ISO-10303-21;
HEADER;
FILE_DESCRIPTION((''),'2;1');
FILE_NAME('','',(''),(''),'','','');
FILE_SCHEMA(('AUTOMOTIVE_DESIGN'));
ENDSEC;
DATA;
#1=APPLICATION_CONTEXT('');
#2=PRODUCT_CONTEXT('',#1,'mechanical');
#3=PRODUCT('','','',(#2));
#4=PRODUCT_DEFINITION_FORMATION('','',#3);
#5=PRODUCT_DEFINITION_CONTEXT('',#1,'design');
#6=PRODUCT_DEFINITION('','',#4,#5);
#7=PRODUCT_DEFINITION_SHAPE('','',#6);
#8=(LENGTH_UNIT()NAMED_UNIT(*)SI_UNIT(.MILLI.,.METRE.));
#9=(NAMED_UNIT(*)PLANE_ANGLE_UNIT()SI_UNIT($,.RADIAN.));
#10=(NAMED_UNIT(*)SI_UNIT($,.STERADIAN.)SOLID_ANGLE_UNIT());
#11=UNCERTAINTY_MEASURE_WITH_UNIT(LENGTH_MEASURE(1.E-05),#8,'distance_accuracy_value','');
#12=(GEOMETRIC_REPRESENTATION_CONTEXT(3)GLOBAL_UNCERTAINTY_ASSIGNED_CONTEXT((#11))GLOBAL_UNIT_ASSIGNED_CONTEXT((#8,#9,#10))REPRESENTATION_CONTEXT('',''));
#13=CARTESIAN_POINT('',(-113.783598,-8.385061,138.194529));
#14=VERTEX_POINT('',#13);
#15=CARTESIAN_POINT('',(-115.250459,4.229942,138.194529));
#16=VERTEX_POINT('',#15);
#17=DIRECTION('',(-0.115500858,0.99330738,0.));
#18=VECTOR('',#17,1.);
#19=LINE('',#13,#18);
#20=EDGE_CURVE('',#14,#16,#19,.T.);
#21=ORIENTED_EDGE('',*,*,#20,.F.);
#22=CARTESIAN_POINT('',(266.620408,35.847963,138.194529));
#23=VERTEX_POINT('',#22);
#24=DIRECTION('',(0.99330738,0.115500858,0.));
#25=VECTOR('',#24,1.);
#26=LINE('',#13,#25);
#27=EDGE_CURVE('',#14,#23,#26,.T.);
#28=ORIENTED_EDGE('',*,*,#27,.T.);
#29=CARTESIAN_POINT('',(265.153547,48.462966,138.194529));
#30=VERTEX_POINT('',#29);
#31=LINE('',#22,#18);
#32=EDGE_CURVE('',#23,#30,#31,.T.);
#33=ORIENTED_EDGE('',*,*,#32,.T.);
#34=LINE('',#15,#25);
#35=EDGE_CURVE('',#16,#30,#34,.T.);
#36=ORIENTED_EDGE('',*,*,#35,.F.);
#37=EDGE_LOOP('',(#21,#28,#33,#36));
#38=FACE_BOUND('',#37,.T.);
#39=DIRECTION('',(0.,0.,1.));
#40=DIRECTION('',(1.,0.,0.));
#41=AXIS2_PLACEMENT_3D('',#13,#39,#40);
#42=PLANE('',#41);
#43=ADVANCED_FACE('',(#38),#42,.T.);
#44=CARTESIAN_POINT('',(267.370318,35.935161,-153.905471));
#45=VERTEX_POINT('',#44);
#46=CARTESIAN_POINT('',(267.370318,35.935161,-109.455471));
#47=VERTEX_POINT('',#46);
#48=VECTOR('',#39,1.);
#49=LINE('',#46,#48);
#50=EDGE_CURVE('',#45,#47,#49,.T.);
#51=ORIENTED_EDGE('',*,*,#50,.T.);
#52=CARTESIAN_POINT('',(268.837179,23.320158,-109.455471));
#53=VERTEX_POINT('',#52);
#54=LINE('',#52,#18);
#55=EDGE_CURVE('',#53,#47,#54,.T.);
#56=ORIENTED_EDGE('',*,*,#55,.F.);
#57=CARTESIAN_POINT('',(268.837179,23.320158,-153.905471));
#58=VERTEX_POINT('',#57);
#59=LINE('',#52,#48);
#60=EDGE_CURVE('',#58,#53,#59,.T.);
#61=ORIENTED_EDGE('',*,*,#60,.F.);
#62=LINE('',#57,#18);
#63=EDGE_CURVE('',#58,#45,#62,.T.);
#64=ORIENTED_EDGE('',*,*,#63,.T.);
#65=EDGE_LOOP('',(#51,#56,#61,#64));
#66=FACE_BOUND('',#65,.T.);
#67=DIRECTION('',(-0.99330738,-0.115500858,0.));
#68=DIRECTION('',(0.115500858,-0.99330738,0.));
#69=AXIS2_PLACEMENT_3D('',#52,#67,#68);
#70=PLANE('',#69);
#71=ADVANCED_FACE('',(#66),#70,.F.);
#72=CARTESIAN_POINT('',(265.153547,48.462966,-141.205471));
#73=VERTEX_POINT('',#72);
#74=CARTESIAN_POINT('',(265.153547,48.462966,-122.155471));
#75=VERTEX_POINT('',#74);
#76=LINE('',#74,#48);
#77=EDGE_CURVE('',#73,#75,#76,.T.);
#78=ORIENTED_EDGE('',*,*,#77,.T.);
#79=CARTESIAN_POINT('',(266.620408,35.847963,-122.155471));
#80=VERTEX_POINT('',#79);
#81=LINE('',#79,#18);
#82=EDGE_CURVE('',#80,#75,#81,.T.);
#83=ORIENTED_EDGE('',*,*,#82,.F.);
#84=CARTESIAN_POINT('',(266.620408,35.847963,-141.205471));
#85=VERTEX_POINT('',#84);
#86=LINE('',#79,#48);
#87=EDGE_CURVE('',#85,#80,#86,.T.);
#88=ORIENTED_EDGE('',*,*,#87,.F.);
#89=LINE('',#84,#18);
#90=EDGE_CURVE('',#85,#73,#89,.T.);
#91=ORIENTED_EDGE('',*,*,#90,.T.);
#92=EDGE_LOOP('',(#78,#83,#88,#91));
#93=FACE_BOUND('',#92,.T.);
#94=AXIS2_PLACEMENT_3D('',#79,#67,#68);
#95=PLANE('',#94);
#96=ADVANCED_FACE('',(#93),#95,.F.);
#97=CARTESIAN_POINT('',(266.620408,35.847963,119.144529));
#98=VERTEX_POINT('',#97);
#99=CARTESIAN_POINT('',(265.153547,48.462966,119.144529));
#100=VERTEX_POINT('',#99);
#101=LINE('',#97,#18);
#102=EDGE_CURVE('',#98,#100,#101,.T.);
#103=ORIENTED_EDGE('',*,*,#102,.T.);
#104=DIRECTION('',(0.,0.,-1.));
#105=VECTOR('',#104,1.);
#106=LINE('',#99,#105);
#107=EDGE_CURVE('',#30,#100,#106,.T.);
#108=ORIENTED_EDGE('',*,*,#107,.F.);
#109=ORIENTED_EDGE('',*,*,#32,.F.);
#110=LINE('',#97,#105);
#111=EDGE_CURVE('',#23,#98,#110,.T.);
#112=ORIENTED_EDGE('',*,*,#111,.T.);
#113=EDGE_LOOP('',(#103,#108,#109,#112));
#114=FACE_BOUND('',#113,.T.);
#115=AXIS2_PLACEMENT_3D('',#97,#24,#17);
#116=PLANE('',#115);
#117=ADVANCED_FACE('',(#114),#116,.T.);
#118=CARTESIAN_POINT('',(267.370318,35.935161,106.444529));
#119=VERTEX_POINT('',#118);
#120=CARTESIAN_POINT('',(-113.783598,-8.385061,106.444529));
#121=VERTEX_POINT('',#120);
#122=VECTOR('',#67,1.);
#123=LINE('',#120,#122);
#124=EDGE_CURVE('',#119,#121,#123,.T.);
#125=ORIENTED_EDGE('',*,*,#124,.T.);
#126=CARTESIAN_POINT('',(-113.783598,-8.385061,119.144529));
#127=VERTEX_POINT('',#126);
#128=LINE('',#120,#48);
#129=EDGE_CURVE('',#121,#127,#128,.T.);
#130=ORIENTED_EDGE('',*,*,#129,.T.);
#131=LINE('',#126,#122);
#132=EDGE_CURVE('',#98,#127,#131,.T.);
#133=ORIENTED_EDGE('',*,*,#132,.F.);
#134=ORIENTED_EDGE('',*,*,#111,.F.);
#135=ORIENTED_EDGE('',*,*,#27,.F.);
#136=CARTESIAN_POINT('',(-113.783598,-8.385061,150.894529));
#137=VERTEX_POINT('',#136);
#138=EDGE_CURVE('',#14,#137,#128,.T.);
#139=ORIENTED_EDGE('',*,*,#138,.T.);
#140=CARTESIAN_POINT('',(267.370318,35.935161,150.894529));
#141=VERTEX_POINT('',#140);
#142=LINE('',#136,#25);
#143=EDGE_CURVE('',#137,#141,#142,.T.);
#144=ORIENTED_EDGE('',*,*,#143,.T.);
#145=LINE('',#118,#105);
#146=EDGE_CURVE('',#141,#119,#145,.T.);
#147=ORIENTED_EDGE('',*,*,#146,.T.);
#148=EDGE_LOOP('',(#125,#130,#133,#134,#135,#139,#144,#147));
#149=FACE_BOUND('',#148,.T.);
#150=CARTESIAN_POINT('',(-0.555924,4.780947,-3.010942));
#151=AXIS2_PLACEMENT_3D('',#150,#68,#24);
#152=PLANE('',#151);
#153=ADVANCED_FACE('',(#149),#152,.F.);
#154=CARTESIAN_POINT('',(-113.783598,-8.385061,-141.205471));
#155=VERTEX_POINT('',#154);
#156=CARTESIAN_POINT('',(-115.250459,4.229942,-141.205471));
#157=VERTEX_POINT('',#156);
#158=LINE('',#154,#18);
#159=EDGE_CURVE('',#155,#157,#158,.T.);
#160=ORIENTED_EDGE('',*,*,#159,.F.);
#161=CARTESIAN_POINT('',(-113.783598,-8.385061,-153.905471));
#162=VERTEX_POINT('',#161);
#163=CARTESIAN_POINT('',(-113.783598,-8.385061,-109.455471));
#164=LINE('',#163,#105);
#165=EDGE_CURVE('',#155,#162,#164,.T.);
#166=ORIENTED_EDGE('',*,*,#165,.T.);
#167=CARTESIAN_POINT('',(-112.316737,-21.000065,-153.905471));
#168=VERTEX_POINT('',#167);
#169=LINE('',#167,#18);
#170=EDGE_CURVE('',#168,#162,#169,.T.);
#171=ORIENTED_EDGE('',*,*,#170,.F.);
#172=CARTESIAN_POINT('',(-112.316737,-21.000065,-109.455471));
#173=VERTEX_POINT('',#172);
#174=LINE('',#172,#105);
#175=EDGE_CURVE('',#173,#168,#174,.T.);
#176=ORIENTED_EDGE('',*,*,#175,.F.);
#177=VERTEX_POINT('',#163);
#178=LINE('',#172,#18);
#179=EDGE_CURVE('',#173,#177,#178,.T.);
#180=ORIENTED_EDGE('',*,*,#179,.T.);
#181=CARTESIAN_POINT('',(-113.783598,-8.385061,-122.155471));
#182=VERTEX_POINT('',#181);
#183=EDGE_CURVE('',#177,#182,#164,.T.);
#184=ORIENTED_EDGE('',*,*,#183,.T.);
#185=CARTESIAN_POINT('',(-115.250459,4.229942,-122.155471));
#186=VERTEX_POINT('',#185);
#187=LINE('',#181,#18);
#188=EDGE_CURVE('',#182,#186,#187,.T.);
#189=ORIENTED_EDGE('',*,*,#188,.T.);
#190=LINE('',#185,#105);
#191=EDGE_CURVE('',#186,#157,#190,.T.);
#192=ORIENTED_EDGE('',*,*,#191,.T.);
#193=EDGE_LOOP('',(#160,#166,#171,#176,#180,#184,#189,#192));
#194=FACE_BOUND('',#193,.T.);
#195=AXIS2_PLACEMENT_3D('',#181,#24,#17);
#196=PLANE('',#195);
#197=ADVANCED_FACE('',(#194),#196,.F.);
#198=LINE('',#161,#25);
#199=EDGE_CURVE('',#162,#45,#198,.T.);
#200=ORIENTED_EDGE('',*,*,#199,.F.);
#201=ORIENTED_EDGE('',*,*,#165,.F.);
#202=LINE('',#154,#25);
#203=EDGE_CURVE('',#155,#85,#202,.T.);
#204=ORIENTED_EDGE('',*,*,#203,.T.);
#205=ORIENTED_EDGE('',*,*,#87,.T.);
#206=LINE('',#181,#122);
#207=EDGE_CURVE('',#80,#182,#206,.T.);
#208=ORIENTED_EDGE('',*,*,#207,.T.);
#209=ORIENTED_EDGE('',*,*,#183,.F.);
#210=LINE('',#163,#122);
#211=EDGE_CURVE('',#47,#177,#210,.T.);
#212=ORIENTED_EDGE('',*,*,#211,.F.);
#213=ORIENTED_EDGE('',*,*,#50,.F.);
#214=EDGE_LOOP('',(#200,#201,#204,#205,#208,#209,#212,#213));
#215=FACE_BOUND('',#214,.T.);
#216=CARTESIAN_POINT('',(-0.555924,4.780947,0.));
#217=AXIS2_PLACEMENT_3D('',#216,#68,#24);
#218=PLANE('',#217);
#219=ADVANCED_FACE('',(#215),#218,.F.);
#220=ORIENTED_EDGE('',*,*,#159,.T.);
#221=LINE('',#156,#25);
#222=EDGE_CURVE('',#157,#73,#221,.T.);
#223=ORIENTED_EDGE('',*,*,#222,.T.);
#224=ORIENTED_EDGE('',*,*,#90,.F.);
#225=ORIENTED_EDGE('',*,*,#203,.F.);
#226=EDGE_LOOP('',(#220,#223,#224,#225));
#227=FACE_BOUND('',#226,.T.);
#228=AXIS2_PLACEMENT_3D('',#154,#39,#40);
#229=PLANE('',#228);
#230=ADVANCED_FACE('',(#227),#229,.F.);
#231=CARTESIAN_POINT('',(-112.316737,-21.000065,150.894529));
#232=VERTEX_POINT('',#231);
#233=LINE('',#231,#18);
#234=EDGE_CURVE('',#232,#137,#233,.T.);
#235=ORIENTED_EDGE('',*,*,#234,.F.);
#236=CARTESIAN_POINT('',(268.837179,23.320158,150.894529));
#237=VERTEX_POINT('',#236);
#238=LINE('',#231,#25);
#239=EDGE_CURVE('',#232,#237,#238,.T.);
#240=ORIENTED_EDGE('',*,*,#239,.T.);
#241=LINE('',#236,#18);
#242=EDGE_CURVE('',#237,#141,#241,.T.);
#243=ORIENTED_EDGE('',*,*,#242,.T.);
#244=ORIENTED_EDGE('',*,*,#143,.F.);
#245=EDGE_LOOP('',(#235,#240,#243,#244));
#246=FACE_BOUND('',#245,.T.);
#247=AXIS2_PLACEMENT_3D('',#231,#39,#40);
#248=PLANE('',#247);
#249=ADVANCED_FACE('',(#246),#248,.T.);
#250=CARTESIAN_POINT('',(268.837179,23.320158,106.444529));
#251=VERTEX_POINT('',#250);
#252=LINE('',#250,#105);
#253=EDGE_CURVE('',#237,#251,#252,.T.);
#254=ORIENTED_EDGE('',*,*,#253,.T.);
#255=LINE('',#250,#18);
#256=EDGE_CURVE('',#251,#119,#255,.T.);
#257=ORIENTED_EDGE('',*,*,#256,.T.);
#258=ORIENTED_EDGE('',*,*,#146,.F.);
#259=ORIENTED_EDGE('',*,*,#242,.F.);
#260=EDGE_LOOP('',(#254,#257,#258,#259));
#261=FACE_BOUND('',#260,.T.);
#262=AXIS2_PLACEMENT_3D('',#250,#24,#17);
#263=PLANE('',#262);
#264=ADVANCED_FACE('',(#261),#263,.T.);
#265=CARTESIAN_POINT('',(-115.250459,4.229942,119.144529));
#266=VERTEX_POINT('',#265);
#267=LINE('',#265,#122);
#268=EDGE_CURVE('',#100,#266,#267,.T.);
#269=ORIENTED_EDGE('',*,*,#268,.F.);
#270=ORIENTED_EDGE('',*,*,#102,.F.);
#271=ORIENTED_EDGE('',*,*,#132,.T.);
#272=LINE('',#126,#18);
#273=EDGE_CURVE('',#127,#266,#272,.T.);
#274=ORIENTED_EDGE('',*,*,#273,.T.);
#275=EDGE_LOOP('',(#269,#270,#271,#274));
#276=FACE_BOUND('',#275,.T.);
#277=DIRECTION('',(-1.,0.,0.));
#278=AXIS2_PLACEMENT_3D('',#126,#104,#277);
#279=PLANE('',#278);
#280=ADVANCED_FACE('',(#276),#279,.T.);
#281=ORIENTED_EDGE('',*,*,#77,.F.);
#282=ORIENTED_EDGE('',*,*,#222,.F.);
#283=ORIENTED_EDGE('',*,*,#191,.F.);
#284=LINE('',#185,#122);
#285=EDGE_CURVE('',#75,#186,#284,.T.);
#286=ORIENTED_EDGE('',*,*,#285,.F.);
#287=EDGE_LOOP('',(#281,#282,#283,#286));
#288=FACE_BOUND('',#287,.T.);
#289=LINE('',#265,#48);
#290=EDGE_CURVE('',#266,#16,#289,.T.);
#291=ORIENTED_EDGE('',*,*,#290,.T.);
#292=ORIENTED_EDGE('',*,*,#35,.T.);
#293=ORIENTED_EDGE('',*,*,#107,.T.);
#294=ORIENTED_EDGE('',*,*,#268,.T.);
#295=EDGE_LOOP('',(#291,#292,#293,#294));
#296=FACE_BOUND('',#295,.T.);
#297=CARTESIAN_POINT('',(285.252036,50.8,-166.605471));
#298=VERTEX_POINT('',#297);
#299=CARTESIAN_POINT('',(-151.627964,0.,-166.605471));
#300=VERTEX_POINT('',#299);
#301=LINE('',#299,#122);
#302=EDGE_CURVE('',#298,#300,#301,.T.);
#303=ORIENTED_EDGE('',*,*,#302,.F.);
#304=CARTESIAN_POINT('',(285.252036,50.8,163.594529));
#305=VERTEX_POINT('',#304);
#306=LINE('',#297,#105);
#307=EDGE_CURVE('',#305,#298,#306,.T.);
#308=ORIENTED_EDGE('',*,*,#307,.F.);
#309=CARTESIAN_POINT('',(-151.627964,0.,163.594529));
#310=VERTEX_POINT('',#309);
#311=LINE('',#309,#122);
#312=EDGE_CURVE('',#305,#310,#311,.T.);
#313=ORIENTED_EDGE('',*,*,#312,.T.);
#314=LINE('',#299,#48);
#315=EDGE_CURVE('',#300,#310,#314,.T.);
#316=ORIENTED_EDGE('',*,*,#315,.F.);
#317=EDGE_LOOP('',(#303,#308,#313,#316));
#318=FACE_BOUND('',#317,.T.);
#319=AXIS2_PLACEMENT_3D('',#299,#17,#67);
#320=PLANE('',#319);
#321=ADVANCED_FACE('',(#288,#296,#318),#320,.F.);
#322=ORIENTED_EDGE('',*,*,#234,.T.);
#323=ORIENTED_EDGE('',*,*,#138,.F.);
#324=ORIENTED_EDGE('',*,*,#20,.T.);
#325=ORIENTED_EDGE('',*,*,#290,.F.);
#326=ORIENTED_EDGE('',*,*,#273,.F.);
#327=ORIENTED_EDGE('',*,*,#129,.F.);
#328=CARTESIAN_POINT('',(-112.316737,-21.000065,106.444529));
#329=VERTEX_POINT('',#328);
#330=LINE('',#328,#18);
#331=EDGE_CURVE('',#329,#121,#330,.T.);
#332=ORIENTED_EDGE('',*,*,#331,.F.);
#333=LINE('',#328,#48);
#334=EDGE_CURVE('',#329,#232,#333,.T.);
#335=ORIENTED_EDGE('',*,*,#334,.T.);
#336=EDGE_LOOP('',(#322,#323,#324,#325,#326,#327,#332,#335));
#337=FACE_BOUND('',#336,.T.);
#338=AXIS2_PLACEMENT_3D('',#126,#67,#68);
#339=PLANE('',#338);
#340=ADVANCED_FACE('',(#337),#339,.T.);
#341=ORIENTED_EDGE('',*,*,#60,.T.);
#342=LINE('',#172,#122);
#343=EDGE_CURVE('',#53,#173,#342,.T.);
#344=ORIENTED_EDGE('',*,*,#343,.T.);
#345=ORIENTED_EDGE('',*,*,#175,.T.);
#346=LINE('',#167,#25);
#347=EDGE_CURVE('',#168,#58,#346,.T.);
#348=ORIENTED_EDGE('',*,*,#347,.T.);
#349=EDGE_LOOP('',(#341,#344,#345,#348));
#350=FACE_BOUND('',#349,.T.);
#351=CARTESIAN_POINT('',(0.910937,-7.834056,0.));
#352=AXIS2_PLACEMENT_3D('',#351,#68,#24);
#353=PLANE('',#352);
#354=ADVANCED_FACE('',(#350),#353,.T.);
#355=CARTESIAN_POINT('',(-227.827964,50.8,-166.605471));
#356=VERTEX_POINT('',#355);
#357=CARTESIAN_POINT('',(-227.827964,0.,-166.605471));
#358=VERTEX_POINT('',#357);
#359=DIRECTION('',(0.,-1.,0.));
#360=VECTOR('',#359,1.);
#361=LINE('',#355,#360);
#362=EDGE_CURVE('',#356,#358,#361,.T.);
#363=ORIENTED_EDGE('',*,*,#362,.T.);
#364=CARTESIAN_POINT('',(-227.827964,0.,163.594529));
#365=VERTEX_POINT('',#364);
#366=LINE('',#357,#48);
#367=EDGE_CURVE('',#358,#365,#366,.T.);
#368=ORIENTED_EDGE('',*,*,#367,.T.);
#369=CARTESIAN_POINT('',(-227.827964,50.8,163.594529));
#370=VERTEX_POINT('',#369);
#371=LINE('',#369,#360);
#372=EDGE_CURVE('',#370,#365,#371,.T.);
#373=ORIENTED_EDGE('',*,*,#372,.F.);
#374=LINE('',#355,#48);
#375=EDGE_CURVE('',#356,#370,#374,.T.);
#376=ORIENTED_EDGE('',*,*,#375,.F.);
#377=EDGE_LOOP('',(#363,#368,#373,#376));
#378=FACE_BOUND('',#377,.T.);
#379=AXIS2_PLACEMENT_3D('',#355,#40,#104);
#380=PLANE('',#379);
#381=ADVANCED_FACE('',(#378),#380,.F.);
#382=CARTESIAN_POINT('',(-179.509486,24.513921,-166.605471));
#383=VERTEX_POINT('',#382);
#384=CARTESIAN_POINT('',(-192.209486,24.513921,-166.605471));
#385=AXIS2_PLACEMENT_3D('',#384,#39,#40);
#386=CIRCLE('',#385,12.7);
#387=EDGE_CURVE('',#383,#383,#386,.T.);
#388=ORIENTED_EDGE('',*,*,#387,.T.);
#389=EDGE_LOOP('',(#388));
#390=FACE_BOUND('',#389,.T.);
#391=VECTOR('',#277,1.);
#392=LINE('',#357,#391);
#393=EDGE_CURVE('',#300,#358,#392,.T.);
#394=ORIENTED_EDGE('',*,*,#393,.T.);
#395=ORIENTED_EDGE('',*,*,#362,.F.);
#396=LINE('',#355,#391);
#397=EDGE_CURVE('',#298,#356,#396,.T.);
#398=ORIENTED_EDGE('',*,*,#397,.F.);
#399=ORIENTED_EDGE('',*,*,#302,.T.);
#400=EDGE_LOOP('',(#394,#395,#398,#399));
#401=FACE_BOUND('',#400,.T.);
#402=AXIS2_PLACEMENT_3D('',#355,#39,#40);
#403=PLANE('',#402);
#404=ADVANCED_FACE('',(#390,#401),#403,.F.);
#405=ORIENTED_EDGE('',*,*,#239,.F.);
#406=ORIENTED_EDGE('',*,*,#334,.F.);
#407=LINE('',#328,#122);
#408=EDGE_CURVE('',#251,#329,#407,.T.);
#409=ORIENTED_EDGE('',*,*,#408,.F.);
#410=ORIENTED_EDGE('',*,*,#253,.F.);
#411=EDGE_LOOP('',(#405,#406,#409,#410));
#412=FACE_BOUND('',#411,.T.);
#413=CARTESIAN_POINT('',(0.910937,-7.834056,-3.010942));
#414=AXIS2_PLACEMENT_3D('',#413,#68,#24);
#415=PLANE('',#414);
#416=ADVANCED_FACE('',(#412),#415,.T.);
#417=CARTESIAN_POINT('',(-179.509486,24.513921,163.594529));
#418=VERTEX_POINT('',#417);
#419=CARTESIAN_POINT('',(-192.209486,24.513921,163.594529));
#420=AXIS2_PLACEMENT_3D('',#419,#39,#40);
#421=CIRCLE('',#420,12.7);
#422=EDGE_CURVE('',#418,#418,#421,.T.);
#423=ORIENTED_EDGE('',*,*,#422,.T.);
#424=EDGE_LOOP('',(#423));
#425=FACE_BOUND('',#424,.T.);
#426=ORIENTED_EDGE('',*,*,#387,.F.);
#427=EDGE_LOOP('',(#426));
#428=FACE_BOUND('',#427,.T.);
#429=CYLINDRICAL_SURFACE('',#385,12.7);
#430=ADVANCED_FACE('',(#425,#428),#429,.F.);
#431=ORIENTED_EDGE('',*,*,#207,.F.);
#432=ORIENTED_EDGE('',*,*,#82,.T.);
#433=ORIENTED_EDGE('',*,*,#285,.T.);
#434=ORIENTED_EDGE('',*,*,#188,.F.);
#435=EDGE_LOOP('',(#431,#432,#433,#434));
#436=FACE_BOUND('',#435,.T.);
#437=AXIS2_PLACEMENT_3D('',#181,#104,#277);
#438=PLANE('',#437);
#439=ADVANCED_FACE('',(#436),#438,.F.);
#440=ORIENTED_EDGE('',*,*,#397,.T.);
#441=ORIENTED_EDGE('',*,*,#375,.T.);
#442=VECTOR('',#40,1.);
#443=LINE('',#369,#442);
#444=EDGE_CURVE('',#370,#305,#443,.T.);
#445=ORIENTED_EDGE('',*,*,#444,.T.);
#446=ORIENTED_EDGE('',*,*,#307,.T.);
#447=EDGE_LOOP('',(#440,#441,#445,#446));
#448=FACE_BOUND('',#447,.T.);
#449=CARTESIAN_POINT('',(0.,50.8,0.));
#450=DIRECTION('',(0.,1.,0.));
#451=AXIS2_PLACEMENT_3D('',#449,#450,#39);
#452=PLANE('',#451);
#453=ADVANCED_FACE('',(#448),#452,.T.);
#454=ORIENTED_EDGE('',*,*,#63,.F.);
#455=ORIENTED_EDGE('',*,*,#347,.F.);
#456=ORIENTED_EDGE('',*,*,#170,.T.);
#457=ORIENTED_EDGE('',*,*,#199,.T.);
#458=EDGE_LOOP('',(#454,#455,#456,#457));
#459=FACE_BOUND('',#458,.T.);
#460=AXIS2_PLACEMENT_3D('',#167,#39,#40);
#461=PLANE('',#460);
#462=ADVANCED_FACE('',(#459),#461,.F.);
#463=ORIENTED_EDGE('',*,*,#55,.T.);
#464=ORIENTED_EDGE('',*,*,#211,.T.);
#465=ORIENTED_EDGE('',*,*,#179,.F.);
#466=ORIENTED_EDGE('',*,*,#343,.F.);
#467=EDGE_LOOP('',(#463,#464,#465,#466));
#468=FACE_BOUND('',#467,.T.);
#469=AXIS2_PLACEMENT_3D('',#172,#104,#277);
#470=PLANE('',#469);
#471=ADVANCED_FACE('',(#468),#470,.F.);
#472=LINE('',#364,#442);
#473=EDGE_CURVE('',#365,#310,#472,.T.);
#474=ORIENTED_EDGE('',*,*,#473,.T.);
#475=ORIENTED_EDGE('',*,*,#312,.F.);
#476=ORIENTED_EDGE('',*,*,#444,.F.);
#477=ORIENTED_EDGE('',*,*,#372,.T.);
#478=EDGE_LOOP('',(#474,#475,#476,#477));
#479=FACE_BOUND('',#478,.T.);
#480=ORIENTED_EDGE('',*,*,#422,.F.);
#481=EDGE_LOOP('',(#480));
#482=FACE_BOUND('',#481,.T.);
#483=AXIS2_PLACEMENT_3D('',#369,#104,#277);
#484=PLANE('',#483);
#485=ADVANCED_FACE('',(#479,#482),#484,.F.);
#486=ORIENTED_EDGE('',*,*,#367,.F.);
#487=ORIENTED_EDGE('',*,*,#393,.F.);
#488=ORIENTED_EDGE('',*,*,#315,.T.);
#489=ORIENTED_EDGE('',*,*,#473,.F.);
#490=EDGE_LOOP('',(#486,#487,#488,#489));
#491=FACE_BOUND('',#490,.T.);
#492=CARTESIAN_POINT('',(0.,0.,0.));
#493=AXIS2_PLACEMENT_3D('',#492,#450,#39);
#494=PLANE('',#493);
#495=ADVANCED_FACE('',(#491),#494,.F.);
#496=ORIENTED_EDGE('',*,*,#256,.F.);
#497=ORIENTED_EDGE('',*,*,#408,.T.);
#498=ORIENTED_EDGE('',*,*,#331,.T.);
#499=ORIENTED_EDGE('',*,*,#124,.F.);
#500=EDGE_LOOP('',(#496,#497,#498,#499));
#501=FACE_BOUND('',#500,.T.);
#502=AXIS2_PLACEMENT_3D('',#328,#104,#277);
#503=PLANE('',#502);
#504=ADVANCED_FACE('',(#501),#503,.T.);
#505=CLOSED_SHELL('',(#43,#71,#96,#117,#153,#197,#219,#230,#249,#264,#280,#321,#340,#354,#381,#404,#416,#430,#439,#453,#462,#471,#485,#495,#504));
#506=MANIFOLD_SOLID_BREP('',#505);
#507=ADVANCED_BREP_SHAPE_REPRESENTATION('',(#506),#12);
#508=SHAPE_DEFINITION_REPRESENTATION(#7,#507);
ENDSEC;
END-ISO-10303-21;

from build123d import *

# Parameters (mm, degrees)
SKETCH1_W           = 513.08
SKETCH1_H           = 330.2
BOSS_EXTRUDE1_DEPTH = 50.8
SKETCH2_R           = 12.7
CUT_EXTRUDE1_DEPTH  = 331.2
SKETCH3_W           = 382.967058901
SKETCH3_H           = 19.05
BOSS_EXTRUDE2_DEPTH = 12.7
SKETCH4_W           = 383.722022032
SKETCH4_H           = 44.45
BOSS_EXTRUDE3_DEPTH = 12.7


with BuildPart() as part:
    # Sketch1 → Boss-Extrude1 (new body)
    with BuildSketch(Plane(origin=(0, 0, 0), x_dir=(1, 0, 0), z_dir=(0, 1, 0))):
        with Locations((28.712036474, 1.505471125)):
            Rectangle(SKETCH1_W, SKETCH1_H)
    extrude(amount=BOSS_EXTRUDE1_DEPTH)

    # Sketch2 → Cut-Extrude1 (cut, through all)
    with BuildSketch(Plane.XY.offset(163.594528875)):
        with Locations((-192.209486062, 24.51392069)):
            Circle(SKETCH2_R)
        Polygon((-151.627963526, 0), (285.252036474, 50.8), (285.252036474, 0), align=None)
    extrude(amount=-CUT_EXTRUDE1_DEPTH, mode=Mode.SUBTRACT)

    # Sketch3 → Boss-Extrude2 (add)
    with BuildSketch(Plane(origin=(-2.022784999, 17.395950991, 0), x_dir=(0.99330738, 0.115500858, 0), z_dir=(0.115500858, -0.99330738, 0))):
        with Locations((77.492959748, -131.680471125)):
            Rectangle(SKETCH3_W, SKETCH3_H)
    boss_extrude2 = extrude(amount=BOSS_EXTRUDE2_DEPTH)

    # Sketch4 → Boss-Extrude3 (add)
    with BuildSketch(Plane(origin=(-0.5559241, 4.780947262, 0), x_dir=(0.99330738, 0.115500858, 0), z_dir=(0.115500858, -0.99330738, 0))):
        with Locations((77.870441313, -131.680471125)):
            Rectangle(SKETCH4_W, SKETCH4_H)
    boss_extrude3 = extrude(amount=BOSS_EXTRUDE3_DEPTH)

    # Mirror1: Boss-Extrude2, Boss-Extrude3 across plane
    add(boss_extrude2.mirror(Plane.XY.offset(-1.505471125)))
    add(boss_extrude3.mirror(Plane.XY.offset(-1.505471125)))


solid = part.part
